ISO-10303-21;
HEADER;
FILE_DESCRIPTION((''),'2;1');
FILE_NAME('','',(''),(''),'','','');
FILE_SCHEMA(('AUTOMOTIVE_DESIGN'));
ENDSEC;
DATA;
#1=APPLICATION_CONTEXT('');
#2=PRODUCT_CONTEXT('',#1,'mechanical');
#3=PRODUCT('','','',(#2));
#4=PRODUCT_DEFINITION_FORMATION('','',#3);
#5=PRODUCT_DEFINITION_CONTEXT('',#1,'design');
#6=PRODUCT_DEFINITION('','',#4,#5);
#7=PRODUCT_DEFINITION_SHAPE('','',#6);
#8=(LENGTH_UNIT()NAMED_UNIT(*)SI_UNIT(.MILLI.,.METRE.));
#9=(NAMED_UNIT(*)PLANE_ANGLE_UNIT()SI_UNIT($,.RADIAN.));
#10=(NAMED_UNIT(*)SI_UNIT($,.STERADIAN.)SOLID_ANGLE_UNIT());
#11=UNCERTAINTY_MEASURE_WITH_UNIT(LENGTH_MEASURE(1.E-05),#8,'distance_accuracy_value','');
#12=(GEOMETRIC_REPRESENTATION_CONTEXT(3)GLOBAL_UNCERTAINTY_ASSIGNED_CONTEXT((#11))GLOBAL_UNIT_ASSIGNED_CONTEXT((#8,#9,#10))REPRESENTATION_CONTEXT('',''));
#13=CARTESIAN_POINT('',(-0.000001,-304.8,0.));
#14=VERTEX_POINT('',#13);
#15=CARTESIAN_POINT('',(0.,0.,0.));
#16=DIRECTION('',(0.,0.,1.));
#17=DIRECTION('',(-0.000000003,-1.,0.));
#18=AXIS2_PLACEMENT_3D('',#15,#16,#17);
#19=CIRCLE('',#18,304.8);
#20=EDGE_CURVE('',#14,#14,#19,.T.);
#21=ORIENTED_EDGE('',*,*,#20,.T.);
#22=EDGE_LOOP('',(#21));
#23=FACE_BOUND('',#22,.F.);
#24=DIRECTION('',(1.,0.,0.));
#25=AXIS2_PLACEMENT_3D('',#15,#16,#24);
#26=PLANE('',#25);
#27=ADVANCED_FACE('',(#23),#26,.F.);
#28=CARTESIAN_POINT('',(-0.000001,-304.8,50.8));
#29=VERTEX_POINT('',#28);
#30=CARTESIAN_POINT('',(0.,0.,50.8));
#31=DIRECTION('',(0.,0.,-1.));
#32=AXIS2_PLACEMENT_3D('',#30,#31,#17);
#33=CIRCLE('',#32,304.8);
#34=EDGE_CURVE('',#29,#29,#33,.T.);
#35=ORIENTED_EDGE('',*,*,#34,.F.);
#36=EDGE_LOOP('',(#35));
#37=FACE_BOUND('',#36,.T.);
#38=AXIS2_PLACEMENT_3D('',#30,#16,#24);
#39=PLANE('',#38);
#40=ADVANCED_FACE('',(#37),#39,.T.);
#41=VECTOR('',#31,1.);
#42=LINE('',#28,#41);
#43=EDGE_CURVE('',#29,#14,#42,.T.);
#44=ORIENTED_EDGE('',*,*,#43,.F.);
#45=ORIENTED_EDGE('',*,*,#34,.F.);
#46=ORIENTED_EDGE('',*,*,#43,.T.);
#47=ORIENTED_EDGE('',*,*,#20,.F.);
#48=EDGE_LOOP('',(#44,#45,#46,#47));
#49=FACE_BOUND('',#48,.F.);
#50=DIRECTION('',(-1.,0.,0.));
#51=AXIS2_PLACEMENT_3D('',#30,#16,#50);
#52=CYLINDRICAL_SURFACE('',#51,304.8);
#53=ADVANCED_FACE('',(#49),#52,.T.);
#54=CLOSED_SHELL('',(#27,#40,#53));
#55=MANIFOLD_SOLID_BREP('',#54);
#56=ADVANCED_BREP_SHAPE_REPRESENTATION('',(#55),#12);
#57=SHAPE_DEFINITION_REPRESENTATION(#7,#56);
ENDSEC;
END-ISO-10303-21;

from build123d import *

# Parameters (mm, degrees)
F0_W     = 609.6
F0_H     = 609.6
F1_DEPTH = 50.8
F3_DEPTH = 50.8


with BuildPart() as f1:
    # F0 (on Top) → F1 (new body)
    with BuildSketch(Plane.XY):
        Rectangle(F0_W, F0_H)
    extrude(amount=F1_DEPTH)

    # F2 (on face) → F3 (cut)
    with BuildSketch(Plane.XY.offset(50.8)):
        with BuildLine():
            ThreePointArc((-304.8, 0), (-215.5261466756, 215.5261471357), (6.506e-07, 304.8))
            Line((6.506e-07, 304.8), (-304.8, 304.8))
            Line((-304.8, 304.8), (-304.8, 0))
        make_face()
        with BuildLine():
            ThreePointArc((6.506e-07, 304.8), (215.5261471357, 215.5261466756), (304.8, 0))
            Line((304.8, 0), (304.8, 304.8))
            Line((304.8, 304.8), (6.506e-07, 304.8))
        make_face()
        with BuildLine():
            Line((304.8, -304.8), (304.8, 0))
            ThreePointArc((304.8, 0), (215.5261466326, -215.5261471787), (-7.722e-07, -304.8))
            Line((-7.722e-07, -304.8), (304.8, -304.8))
        make_face()
        with BuildLine():
            Line((-304.8, -304.8), (-7.722e-07, -304.8))
            ThreePointArc((-7.722e-07, -304.8), (-215.5261471787, -215.5261466326), (-304.8, 0))
            Line((-304.8, 0), (-304.8, -304.8))
        make_face()
    extrude(amount=-F3_DEPTH, mode=Mode.SUBTRACT)


solid = f1.part
